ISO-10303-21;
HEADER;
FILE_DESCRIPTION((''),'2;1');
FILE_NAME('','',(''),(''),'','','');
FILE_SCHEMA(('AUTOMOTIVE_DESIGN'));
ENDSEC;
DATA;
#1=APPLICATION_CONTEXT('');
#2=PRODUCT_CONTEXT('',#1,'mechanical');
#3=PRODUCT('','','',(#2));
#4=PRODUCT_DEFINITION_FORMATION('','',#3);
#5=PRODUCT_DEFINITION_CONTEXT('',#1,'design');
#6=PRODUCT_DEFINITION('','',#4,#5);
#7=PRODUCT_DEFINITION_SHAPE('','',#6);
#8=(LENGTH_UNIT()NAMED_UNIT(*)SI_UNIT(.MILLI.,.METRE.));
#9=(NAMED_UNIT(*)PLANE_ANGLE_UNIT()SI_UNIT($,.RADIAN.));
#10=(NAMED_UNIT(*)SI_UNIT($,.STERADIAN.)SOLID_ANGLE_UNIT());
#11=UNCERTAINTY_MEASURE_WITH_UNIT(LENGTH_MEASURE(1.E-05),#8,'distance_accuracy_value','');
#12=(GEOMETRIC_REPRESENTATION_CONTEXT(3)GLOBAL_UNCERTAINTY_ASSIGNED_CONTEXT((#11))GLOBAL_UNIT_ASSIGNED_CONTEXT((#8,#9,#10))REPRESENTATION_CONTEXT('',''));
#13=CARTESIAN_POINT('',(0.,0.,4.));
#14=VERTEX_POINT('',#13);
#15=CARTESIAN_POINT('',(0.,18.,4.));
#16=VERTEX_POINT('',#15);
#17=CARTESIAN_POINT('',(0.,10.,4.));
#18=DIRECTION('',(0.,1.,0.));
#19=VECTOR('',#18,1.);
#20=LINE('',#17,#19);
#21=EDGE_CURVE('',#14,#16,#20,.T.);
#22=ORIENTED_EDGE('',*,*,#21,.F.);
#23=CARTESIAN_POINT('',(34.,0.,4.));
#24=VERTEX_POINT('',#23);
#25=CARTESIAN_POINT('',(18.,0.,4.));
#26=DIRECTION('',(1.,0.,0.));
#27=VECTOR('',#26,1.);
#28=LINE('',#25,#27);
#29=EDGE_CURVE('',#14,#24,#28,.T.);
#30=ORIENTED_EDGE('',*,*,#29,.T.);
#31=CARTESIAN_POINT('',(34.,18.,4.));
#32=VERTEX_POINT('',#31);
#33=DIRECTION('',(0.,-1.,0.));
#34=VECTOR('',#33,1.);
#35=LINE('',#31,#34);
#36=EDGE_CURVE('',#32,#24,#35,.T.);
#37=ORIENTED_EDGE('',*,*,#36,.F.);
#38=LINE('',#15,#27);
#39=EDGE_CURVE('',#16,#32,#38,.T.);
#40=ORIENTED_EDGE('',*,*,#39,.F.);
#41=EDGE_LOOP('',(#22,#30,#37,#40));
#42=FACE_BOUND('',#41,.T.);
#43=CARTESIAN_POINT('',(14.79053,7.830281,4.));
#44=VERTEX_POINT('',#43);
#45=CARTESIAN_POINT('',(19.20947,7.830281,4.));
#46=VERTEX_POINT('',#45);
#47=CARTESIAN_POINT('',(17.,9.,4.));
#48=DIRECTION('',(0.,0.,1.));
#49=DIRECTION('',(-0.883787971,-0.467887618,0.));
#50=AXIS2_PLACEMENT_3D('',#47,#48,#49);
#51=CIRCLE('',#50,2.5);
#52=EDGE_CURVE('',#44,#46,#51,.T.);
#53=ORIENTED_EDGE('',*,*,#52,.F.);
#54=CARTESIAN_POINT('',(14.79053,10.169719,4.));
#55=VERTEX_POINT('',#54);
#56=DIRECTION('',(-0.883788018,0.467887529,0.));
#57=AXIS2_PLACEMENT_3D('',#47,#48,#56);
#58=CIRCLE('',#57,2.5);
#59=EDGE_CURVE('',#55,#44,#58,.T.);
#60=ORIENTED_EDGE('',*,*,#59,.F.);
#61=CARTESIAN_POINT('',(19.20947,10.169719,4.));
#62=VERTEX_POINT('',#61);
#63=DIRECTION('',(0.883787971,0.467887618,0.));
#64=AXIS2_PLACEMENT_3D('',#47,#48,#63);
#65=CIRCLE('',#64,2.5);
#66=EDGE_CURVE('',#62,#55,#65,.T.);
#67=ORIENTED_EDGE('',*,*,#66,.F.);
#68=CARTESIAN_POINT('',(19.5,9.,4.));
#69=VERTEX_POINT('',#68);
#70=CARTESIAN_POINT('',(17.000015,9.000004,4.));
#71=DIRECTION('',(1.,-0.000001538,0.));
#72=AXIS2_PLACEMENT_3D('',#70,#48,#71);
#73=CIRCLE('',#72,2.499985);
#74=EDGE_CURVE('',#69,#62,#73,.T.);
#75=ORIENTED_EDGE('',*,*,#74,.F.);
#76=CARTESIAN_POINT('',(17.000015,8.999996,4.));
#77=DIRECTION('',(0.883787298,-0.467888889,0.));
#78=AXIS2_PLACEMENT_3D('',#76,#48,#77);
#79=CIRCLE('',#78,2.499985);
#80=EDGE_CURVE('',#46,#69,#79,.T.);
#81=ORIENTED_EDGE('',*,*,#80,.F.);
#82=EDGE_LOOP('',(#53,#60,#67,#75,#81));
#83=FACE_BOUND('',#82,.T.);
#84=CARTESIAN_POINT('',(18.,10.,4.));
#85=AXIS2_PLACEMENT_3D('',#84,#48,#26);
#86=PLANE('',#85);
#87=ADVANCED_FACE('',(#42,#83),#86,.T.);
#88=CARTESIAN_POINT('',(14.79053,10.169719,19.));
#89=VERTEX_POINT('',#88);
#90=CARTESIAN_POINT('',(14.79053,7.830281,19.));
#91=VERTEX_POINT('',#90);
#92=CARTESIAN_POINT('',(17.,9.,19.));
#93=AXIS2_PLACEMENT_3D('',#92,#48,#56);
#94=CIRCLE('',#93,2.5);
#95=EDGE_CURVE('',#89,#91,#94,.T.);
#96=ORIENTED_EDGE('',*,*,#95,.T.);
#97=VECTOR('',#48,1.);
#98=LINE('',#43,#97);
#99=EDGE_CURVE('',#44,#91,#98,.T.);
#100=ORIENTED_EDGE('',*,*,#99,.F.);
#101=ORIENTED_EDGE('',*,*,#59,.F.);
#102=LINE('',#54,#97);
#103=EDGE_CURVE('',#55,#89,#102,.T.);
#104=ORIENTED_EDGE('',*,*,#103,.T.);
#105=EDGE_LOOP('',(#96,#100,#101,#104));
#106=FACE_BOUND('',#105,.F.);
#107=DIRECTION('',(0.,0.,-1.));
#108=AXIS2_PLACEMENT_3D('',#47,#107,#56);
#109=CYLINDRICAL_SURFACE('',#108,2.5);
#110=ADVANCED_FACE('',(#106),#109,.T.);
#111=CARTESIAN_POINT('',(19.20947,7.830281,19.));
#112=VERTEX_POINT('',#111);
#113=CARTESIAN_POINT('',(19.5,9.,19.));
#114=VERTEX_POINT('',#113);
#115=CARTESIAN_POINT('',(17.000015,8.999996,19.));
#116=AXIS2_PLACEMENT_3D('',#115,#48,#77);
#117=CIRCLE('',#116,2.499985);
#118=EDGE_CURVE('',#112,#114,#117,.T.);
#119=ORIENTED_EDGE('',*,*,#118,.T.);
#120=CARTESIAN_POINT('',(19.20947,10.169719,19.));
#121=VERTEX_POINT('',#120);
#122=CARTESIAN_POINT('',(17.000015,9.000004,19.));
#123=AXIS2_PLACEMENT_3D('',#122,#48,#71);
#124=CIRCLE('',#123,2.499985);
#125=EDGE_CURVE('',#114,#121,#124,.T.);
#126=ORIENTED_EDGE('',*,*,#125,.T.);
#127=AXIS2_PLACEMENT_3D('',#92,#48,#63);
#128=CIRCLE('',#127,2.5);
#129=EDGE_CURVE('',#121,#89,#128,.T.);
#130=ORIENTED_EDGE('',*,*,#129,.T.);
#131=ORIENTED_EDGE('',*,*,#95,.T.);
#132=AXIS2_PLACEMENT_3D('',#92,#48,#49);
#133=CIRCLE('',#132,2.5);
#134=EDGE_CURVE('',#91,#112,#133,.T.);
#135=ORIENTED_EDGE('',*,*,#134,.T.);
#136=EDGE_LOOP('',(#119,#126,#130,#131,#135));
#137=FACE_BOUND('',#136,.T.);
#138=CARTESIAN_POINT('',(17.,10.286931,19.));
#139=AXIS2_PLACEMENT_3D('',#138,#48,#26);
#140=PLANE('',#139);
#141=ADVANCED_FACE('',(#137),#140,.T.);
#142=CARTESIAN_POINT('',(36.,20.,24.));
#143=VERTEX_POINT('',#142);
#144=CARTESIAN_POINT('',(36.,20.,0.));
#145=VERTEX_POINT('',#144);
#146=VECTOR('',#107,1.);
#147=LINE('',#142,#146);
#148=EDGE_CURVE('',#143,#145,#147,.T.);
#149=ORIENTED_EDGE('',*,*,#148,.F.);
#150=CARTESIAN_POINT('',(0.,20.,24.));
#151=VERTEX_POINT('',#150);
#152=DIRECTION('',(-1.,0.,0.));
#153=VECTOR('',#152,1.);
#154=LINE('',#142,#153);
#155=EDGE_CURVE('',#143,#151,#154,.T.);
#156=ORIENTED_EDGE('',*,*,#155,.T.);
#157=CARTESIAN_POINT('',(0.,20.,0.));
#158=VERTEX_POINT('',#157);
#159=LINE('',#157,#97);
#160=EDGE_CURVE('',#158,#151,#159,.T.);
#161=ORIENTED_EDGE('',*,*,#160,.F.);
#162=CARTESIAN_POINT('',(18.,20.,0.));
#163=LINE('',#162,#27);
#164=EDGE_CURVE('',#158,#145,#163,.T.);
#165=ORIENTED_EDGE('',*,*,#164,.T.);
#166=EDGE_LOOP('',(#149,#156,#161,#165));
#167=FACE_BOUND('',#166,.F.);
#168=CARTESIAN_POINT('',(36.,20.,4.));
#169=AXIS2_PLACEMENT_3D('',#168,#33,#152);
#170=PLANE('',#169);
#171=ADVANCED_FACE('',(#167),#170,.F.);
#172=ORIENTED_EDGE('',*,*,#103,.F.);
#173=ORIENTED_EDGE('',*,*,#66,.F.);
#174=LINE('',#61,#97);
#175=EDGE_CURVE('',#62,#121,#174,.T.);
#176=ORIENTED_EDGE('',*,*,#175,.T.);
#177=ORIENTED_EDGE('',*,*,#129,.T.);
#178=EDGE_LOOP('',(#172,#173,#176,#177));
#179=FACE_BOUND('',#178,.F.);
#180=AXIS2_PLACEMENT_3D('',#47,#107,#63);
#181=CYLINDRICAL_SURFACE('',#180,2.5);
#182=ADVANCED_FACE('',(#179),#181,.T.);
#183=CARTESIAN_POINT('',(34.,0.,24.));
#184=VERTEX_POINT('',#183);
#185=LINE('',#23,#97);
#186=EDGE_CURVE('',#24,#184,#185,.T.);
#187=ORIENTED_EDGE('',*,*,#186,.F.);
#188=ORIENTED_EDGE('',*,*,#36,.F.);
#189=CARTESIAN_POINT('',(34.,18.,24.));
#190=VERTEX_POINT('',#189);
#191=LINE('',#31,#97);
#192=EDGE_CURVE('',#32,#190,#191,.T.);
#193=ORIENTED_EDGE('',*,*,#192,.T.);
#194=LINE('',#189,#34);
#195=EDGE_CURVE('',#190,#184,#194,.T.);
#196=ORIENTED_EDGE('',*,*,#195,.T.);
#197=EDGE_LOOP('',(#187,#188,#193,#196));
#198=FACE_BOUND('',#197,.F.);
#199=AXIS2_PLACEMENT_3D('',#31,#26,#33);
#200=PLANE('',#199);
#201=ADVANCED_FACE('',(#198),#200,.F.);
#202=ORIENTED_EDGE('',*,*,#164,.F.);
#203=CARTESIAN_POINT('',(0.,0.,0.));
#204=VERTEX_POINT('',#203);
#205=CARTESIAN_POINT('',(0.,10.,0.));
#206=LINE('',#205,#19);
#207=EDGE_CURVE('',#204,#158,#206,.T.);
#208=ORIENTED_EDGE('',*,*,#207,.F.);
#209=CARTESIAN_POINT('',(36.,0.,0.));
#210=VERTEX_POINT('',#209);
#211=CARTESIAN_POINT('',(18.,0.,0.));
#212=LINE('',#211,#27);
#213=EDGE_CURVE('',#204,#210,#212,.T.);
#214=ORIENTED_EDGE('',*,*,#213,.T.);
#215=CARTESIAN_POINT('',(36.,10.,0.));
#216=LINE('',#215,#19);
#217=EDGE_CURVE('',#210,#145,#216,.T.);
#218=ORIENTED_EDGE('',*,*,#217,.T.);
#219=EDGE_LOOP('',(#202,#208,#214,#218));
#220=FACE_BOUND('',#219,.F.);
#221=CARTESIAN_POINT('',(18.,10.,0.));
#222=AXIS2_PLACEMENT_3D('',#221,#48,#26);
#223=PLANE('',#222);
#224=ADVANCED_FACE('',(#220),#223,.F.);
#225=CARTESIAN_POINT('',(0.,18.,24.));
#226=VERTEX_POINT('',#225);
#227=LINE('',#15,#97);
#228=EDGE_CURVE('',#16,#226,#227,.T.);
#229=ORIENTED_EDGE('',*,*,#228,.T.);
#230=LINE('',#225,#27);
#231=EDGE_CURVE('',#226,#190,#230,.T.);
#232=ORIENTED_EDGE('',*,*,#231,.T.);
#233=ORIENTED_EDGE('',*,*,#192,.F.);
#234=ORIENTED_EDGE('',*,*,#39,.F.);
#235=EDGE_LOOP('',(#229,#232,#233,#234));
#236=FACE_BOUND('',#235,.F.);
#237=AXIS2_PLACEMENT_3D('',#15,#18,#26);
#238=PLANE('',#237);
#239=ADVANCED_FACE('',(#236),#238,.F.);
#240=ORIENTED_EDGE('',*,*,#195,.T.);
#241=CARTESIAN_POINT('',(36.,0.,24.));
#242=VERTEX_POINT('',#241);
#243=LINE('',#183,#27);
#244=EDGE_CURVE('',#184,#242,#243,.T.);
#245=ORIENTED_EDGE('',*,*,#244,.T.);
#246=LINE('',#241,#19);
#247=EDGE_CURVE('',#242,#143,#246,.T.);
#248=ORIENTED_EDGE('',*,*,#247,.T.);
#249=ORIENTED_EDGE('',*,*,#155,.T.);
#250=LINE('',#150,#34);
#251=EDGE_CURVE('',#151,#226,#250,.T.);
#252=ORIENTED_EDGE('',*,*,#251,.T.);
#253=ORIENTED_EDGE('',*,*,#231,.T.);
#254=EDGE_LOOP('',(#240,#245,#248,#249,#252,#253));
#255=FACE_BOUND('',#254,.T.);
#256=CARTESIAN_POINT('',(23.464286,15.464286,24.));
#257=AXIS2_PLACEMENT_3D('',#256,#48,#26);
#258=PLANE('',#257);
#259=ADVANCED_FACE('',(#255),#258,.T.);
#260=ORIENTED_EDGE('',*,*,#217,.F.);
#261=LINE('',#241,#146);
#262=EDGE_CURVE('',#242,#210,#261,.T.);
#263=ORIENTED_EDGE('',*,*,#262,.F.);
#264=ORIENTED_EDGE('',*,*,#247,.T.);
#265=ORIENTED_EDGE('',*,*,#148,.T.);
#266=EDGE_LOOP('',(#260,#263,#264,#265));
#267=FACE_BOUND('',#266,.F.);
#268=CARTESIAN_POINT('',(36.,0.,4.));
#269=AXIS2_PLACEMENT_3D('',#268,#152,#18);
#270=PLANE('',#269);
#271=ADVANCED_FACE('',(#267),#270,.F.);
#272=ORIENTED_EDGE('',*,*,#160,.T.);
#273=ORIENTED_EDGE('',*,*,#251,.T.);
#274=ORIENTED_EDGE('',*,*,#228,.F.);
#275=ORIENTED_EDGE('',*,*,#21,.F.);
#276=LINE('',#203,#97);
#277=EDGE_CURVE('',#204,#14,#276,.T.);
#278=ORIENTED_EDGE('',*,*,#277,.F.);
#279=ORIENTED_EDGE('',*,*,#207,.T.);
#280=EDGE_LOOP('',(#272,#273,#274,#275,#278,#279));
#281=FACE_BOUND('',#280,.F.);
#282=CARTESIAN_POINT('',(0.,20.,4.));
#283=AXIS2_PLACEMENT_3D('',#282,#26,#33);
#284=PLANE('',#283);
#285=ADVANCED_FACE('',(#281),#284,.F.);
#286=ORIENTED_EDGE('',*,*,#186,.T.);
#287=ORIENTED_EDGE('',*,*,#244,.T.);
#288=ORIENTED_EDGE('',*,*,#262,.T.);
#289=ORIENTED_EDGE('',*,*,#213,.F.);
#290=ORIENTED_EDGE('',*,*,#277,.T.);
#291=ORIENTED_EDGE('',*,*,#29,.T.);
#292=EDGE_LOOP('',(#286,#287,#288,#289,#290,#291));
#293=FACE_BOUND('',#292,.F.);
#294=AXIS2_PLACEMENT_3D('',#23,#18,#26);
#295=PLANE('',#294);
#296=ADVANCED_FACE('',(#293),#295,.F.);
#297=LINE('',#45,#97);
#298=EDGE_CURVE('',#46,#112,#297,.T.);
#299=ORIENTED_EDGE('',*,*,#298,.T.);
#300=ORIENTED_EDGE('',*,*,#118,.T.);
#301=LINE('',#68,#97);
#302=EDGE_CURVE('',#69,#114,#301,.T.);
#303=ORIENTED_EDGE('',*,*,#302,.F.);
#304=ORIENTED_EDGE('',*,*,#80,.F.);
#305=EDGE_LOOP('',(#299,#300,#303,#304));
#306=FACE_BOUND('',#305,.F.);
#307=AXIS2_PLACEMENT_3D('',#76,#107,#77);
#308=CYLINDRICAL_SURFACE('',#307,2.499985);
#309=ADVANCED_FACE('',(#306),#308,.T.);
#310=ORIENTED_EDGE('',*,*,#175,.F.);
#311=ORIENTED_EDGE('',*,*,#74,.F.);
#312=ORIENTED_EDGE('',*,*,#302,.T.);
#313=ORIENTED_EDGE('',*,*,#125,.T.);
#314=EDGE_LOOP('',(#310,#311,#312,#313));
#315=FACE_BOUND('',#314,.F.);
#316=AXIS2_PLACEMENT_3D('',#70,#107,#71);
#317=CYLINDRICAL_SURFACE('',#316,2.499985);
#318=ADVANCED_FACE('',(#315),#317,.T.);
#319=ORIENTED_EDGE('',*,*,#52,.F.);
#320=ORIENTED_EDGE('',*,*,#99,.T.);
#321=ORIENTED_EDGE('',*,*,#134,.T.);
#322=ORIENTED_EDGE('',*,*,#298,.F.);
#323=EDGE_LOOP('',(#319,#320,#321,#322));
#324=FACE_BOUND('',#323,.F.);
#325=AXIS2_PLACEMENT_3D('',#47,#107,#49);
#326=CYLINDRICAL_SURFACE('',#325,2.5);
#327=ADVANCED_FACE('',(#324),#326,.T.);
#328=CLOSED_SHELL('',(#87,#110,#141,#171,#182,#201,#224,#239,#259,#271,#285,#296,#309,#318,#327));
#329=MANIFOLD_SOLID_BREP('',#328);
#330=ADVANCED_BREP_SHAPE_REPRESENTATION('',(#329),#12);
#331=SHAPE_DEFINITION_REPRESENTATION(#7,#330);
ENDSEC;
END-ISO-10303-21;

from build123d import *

# Parameters (mm, degrees)
F0_W     = 36
F0_H     = 20
F1_DEPTH = 4
F3_DEPTH = 20
F5_DEPTH = 15


with BuildPart() as f1:
    # F0 (on Top) → F1 (new body)
    with BuildSketch(Plane.XY):
        with Locations((18, 10)):
            Rectangle(F0_W, F0_H)
    extrude(amount=F1_DEPTH)

    # F2 (on face) → F3 (join)
    with BuildSketch(Plane.XY.offset(4)):
        Polygon((36, 20), (0, 20), (0, 18), (34, 18), (34, 0), (36, 0), align=None)
    extrude(amount=F3_DEPTH)

    # F4 (on face) → F5 (join)
    with BuildSketch(Plane.XY.offset(4)):
        with BuildLine():
            ThreePointArc((19.20947, 10.169719), (17, 11.5), (14.79053, 10.169719))
            Line((14.79053, 10.169719), (17, 9))
            Line((17, 9), (19.20947, 10.169719))
        make_face()
        with BuildLine():
            Line((17, 9), (14.79053, 10.169719))
            ThreePointArc((14.79053, 10.169719), (14.5, 9), (14.79053, 7.830281))
            Line((14.79053, 7.830281), (17, 9))
        make_face()
        with BuildLine():
            Line((19.20947, 10.169719), (17, 9))
            Line((17, 9), (19.20947, 7.830281))
            ThreePointArc((19.20947, 7.830281), (19.426281, 8.39737), (19.5, 9))
            ThreePointArc((19.5, 9), (19.426281, 9.60263), (19.20947, 10.169719))
        make_face()
        with BuildLine():
            Line((19.20947, 7.830281), (17, 9))
            Line((17, 9), (14.79053, 7.830281))
            ThreePointArc((14.79053, 7.830281), (17, 6.5), (19.20947, 7.830281))
        make_face()
    extrude(amount=F5_DEPTH)


solid = f1.part
